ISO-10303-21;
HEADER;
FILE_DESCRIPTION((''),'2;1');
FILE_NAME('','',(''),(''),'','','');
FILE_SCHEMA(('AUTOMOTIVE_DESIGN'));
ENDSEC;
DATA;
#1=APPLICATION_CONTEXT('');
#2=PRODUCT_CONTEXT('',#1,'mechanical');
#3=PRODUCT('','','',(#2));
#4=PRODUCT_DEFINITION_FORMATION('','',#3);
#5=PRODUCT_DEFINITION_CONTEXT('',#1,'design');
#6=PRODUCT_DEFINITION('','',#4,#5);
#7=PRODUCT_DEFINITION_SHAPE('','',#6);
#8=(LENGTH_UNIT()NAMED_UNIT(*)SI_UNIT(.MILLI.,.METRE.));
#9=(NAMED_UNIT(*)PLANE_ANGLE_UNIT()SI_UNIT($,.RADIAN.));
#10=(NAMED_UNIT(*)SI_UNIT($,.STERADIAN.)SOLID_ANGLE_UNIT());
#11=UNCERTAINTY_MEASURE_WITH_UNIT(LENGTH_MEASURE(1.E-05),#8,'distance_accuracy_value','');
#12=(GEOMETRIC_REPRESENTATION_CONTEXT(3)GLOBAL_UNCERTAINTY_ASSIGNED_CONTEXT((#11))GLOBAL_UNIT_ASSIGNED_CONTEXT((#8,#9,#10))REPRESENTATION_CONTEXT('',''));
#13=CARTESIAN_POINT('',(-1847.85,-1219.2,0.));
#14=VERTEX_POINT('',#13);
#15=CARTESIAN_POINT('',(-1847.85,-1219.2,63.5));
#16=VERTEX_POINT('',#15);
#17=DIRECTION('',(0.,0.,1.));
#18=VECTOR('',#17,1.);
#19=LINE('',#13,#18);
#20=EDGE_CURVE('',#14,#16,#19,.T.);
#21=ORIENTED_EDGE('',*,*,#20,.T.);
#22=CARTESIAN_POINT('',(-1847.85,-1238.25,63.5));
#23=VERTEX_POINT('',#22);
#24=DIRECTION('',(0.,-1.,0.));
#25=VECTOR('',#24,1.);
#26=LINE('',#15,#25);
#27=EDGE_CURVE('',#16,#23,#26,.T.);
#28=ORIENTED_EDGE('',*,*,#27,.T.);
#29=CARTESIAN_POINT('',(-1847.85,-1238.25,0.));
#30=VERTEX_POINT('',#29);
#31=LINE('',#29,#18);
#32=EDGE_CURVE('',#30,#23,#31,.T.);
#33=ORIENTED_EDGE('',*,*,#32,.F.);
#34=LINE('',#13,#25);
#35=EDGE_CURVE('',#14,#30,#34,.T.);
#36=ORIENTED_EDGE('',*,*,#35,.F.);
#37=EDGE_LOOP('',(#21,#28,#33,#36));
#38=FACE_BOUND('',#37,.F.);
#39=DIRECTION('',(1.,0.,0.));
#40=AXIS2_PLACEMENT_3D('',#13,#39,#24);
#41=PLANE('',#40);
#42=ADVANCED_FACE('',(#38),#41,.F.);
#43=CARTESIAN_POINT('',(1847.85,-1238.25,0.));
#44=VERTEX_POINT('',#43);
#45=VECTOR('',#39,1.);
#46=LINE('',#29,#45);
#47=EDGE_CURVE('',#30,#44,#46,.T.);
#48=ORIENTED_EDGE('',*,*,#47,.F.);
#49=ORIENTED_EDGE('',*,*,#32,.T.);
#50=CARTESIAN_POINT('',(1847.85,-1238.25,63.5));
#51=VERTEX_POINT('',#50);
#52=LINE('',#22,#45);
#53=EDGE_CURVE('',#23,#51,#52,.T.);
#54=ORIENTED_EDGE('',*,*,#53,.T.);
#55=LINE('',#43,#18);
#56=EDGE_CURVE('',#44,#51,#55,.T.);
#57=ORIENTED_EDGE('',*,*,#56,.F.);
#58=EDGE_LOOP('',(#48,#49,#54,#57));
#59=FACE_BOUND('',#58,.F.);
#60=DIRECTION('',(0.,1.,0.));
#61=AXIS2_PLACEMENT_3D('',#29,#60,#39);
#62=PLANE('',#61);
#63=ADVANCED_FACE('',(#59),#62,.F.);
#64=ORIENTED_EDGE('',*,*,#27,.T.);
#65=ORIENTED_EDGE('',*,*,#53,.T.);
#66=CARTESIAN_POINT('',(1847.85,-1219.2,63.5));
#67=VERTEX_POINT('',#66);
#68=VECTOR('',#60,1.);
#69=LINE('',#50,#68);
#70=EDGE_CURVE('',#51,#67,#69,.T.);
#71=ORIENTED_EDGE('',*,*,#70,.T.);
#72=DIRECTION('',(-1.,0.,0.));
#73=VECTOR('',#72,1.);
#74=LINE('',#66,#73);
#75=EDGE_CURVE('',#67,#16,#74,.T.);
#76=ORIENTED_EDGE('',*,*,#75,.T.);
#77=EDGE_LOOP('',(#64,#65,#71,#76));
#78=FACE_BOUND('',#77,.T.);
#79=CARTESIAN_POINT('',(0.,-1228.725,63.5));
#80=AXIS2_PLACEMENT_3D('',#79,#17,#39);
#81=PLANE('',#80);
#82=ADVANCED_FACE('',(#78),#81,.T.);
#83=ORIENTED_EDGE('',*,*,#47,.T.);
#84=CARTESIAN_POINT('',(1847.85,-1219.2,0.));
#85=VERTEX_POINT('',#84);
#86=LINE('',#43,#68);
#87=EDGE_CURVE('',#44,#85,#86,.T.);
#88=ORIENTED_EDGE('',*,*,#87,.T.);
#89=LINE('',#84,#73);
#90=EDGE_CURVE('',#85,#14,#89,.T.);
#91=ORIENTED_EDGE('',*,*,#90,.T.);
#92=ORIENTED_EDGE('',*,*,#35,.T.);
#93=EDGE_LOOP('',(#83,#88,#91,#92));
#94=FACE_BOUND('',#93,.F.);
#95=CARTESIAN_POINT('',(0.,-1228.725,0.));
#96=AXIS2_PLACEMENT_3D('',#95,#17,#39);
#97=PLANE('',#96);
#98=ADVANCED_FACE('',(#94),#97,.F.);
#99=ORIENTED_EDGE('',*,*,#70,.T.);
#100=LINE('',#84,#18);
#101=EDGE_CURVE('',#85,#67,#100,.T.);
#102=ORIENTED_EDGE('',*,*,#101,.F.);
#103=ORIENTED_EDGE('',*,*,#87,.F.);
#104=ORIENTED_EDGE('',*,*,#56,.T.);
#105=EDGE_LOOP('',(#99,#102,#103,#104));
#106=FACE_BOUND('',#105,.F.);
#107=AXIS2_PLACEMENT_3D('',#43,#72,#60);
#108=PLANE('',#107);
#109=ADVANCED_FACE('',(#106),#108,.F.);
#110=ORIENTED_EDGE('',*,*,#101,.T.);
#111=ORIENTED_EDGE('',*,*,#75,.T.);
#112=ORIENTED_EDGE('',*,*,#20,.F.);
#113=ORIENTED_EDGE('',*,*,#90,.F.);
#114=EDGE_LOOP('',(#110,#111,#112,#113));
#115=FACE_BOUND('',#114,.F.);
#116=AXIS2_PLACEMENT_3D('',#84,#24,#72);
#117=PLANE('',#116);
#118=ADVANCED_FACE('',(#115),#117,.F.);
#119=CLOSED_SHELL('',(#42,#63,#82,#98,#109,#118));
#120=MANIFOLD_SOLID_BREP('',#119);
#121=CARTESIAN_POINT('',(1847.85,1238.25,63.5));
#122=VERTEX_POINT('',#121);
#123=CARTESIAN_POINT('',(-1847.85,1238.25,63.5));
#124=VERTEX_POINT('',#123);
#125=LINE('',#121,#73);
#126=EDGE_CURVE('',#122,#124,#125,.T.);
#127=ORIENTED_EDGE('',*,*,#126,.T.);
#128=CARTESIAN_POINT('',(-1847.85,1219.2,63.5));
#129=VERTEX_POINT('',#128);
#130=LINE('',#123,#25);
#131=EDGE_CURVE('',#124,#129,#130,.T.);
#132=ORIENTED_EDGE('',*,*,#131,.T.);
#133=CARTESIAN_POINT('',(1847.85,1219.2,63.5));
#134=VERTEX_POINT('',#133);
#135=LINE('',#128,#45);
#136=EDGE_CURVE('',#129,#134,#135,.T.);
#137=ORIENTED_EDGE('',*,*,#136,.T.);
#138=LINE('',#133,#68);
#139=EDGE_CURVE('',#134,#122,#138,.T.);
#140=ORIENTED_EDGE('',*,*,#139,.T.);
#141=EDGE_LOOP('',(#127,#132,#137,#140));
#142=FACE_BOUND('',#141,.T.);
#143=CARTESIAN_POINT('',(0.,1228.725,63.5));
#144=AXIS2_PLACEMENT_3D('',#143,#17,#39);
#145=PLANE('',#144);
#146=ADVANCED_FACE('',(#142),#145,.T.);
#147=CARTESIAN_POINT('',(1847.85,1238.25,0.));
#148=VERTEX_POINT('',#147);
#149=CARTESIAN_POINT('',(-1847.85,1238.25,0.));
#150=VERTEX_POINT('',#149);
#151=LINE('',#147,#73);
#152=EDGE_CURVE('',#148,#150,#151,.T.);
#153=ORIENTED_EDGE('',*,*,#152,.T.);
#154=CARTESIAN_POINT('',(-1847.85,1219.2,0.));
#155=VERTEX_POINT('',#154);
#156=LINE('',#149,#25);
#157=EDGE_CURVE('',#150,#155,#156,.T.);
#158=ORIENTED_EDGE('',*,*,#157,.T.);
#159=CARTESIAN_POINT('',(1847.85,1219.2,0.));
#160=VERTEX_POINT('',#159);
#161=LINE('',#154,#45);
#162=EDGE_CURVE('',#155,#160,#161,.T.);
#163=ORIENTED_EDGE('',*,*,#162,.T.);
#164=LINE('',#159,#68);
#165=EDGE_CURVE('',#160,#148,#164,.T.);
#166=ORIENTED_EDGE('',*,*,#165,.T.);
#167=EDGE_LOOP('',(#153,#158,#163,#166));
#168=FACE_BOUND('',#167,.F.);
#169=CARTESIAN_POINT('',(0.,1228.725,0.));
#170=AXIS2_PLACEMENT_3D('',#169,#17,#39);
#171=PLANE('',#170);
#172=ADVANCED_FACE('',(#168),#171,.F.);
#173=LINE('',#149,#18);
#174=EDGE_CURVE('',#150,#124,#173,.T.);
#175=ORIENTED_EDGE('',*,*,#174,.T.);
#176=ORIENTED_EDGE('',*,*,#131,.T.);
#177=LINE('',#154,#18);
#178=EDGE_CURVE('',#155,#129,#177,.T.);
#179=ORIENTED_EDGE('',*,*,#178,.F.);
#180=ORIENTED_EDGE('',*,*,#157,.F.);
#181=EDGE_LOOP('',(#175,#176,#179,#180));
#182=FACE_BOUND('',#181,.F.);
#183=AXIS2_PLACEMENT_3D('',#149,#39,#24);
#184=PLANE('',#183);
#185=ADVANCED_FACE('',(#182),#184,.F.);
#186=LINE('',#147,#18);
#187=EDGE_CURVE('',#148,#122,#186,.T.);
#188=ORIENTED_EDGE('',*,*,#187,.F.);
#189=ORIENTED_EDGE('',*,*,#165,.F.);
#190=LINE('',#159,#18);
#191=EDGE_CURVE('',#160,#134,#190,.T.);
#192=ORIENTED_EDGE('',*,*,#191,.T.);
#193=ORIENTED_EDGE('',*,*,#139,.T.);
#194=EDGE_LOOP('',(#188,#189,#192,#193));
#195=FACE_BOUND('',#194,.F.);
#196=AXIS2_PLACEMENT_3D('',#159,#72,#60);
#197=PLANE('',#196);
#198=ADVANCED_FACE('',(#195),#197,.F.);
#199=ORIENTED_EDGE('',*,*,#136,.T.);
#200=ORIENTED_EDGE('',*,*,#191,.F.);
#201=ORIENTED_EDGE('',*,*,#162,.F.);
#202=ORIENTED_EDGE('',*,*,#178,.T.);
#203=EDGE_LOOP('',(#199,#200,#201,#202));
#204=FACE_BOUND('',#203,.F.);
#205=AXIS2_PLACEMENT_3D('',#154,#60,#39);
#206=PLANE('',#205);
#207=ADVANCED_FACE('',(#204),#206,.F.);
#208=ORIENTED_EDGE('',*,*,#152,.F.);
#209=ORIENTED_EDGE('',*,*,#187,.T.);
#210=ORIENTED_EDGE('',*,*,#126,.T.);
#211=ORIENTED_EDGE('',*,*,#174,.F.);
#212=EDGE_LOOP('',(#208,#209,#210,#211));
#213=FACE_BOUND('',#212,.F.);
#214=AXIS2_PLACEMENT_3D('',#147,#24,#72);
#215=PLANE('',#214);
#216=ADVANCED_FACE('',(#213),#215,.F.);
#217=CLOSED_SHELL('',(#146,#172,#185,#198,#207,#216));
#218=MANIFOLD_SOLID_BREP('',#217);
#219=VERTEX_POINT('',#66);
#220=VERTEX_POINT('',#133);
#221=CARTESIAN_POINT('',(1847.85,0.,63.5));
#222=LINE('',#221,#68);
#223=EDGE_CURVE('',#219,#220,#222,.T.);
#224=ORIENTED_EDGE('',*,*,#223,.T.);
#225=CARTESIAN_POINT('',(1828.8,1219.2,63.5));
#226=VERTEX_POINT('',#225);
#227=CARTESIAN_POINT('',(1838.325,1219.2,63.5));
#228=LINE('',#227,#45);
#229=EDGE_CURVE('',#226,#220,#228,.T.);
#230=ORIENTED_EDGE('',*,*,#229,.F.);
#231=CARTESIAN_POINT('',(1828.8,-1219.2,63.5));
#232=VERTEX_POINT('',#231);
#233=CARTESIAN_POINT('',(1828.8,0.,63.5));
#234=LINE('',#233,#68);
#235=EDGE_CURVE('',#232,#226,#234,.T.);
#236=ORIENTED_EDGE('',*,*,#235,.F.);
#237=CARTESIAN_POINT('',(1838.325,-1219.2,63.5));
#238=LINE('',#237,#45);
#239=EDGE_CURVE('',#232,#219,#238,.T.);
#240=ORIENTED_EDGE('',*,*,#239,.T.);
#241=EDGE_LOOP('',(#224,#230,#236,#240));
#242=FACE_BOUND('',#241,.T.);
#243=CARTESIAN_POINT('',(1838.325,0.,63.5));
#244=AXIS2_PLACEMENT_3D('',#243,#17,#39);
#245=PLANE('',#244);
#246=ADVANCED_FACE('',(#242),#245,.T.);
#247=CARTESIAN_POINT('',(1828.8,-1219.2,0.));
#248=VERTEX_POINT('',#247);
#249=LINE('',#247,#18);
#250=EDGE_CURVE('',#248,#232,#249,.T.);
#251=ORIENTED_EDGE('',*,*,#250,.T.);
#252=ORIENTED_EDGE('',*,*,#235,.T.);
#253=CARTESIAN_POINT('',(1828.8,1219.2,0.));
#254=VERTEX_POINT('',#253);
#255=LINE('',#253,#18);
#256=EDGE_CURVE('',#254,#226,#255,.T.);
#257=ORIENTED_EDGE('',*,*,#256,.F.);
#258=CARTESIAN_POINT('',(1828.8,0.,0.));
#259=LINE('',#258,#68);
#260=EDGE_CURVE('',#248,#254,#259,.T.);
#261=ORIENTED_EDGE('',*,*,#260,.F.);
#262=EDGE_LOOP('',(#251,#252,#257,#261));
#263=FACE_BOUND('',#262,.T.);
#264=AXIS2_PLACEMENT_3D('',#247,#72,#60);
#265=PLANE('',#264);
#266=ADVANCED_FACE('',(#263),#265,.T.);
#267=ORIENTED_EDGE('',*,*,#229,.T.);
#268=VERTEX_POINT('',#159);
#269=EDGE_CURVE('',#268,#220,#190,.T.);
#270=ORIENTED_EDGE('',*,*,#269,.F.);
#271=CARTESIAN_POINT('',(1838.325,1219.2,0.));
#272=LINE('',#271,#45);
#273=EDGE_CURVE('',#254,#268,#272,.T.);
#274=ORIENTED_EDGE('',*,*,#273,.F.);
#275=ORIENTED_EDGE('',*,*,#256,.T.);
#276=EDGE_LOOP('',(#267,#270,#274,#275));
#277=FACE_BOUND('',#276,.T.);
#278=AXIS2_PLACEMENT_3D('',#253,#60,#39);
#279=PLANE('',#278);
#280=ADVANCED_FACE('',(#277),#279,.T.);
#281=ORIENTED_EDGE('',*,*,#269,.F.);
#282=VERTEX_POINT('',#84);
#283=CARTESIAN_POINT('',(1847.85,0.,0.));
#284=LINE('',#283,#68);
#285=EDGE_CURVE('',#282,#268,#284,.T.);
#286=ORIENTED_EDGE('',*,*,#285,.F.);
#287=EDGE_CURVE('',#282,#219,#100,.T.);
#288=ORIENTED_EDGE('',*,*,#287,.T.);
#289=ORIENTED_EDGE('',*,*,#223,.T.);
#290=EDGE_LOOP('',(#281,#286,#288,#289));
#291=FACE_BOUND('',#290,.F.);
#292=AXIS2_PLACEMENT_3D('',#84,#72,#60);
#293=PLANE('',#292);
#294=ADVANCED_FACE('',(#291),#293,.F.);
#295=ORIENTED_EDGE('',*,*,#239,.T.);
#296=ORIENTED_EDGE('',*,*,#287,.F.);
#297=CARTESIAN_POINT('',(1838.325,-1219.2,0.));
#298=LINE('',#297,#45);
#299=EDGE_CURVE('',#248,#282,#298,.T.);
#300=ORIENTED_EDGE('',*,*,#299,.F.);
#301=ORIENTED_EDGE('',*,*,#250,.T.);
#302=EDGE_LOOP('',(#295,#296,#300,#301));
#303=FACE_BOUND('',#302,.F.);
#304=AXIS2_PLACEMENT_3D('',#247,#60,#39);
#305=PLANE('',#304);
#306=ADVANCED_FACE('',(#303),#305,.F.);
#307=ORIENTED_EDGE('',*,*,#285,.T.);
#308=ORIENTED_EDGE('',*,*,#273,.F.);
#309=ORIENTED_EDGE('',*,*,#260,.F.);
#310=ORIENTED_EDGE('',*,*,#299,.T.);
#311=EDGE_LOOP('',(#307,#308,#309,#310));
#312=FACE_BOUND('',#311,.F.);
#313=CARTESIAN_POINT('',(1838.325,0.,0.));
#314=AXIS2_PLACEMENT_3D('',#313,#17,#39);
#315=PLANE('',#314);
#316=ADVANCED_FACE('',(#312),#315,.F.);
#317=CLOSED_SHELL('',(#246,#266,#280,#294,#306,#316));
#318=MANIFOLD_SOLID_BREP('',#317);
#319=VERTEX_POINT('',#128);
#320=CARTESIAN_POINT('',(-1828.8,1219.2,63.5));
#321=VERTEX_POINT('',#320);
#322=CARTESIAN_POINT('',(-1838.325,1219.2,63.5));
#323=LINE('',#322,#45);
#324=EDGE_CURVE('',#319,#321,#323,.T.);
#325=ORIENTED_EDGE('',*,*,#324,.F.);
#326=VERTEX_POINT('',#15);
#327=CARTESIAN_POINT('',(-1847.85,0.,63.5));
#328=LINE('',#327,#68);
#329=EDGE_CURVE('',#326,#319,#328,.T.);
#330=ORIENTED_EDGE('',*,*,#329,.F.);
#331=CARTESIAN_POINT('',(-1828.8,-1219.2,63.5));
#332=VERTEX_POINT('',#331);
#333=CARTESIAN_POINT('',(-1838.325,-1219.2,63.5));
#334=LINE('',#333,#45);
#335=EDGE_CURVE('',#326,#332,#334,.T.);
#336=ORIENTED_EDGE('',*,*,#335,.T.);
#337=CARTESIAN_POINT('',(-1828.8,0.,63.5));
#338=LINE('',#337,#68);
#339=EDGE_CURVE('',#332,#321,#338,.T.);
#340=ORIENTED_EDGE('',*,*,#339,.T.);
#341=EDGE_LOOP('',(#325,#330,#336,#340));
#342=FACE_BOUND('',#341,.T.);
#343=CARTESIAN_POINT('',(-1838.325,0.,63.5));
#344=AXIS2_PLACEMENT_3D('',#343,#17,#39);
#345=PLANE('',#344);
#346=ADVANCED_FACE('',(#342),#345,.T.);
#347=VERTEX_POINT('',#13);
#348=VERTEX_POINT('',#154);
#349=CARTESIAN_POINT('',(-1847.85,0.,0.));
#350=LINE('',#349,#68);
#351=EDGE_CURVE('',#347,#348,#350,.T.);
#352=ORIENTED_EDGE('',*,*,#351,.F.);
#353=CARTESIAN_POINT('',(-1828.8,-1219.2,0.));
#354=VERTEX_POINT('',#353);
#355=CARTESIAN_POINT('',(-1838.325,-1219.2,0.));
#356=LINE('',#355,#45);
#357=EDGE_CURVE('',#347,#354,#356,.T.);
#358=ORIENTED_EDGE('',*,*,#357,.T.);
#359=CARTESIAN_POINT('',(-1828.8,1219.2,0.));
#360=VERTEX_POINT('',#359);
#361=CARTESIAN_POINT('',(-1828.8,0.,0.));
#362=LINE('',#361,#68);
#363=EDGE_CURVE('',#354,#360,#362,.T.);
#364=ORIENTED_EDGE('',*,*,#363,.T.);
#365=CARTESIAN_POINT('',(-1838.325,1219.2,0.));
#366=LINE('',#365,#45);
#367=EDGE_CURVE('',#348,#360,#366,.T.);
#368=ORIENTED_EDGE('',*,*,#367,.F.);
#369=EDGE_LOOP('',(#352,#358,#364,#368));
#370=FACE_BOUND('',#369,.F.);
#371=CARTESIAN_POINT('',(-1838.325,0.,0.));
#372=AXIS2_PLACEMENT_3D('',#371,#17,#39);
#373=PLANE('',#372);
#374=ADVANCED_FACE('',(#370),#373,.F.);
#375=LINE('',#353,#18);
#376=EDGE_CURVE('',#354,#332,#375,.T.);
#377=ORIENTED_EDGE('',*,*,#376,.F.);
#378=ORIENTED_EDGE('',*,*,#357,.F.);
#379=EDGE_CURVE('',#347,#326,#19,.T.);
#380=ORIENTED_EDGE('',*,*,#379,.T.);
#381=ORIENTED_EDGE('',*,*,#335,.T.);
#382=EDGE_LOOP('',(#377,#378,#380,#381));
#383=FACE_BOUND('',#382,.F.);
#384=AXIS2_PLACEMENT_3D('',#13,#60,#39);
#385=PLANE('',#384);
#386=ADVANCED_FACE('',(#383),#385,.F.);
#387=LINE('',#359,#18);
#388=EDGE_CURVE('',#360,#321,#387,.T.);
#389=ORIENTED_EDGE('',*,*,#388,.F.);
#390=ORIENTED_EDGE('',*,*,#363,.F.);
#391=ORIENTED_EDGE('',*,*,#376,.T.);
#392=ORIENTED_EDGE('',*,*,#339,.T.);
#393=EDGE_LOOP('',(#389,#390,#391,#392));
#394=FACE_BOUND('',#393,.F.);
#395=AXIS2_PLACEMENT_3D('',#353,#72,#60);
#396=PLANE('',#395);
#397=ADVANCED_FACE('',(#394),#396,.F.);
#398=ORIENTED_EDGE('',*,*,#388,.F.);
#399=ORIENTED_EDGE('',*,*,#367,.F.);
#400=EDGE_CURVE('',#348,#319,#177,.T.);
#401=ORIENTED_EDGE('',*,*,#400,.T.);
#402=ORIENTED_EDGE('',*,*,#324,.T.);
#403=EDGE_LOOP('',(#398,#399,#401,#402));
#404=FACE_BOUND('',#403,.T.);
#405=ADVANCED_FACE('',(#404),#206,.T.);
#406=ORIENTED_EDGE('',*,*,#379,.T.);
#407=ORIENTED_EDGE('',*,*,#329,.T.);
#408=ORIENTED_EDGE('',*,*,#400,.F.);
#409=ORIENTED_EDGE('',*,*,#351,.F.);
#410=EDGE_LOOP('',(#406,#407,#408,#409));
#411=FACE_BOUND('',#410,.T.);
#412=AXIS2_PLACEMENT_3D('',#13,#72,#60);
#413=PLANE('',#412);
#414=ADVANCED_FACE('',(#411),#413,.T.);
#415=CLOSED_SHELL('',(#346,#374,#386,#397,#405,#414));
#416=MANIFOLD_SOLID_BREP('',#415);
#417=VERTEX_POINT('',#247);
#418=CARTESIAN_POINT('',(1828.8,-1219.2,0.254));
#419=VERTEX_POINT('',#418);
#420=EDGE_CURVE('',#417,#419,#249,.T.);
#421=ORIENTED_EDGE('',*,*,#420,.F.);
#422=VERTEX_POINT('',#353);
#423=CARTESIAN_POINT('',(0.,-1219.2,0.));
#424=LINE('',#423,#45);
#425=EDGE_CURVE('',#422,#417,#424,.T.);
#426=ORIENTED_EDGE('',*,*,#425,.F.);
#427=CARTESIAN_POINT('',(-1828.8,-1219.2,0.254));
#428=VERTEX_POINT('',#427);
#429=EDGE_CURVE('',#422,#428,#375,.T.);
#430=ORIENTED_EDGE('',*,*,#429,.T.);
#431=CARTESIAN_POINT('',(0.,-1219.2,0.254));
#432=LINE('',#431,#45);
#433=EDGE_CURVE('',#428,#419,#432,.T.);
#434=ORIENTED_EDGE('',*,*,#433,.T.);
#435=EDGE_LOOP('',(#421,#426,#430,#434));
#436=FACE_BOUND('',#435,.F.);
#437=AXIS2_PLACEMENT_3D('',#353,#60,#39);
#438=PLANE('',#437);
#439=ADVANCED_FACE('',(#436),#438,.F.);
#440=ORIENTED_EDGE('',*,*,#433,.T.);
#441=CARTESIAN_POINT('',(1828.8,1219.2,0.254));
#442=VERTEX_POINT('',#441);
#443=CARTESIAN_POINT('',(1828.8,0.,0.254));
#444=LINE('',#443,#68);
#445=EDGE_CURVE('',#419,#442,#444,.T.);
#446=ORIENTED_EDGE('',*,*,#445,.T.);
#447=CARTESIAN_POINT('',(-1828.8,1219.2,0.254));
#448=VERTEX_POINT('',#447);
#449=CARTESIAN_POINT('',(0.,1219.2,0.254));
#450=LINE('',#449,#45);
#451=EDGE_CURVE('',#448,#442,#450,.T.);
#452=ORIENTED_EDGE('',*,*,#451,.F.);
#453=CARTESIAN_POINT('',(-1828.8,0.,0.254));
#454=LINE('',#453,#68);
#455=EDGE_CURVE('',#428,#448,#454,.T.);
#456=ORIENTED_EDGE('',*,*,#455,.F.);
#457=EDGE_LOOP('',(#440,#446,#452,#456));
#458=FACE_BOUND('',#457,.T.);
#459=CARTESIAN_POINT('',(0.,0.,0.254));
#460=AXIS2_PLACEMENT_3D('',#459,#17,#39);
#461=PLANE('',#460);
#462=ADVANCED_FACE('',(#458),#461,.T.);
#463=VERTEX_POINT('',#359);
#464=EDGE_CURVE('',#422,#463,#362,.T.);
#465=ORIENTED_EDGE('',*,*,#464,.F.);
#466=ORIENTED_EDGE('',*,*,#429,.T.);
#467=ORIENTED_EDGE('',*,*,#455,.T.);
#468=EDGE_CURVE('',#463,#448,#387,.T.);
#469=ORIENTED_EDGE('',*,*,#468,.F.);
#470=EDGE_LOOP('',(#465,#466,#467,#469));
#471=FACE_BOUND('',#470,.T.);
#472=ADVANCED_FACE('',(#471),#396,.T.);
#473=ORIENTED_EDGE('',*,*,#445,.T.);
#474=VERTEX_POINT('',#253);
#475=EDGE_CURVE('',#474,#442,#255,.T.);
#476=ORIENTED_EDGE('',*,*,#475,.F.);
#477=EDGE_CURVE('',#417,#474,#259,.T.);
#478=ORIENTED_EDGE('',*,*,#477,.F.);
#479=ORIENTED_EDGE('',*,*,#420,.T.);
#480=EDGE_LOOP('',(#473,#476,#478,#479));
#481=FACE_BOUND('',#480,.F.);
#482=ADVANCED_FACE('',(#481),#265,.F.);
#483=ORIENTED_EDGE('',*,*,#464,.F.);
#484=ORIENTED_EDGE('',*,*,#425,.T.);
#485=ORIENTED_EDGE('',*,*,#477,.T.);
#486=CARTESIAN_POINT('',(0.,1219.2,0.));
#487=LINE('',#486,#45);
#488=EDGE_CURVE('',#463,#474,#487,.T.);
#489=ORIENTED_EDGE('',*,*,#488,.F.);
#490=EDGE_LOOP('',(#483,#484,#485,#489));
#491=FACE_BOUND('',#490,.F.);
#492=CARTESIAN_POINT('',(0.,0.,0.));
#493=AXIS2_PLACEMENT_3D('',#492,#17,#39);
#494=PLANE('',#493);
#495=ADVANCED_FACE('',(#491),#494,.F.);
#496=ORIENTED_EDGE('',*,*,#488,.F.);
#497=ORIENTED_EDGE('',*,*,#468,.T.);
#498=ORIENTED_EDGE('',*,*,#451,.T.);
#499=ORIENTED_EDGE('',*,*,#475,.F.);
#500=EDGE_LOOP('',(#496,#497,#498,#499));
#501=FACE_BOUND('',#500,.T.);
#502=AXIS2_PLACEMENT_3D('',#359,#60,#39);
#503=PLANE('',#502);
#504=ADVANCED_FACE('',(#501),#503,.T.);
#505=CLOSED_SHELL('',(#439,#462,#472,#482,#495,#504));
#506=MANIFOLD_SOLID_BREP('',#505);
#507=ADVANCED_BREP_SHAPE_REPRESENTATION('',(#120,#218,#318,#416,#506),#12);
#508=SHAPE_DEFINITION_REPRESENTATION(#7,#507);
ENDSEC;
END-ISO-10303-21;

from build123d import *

# Parameters (mm, degrees)
F1_W     = 19.05
F1_H     = 2438.4
F2_DEPTH = 63.5
F3_W     = 19.05
F3_H     = 2438.4
F4_DEPTH = 63.5
F6_DEPTH = 63.5
F8_DEPTH = 63.5
F0_W     = 3657.6
F0_H     = 2438.4
F9_DEPTH = 0.254


with BuildPart() as f2:
    # F1 (on face) → F2 (new body)
    with BuildSketch(Plane.XY):
        with Locations((-1838.325, 0)):
            Rectangle(F1_W, F1_H)
    extrude(amount=F2_DEPTH)


with BuildPart() as f4:
    # F3 (on face) → F4 (new body)
    with BuildSketch(Plane.XY):
        with Locations((1838.325, 0)):
            Rectangle(F3_W, F3_H)
    extrude(amount=F4_DEPTH)


with BuildPart() as f6:
    # F5 (on face) → F6 (new body)
    with BuildSketch(Plane.XY):
        Polygon((-1847.85, 1238.25), (-1847.85, 1219.2), (-1828.8, 1219.2), (1828.8, 1219.2), (1847.85, 1219.2), (1847.85, 1238.25), align=None)
    extrude(amount=F6_DEPTH)


with BuildPart() as f8:
    # F7 (on face) → F8 (new body)
    with BuildSketch(Plane.XY):
        Polygon((-1828.8, -1219.2), (-1847.85, -1219.2), (-1847.85, -1238.25), (1847.85, -1238.25), (1847.85, -1219.2), (1828.8, -1219.2), align=None)
    extrude(amount=F8_DEPTH)


with BuildPart() as f9:
    # F0 (on Top) → F9 (new body)
    with BuildSketch(Plane.XY):
        Rectangle(F0_W, F0_H)
    extrude(amount=F9_DEPTH)


solid = Compound([f2.part, f4.part, f6.part, f8.part, f9.part])
